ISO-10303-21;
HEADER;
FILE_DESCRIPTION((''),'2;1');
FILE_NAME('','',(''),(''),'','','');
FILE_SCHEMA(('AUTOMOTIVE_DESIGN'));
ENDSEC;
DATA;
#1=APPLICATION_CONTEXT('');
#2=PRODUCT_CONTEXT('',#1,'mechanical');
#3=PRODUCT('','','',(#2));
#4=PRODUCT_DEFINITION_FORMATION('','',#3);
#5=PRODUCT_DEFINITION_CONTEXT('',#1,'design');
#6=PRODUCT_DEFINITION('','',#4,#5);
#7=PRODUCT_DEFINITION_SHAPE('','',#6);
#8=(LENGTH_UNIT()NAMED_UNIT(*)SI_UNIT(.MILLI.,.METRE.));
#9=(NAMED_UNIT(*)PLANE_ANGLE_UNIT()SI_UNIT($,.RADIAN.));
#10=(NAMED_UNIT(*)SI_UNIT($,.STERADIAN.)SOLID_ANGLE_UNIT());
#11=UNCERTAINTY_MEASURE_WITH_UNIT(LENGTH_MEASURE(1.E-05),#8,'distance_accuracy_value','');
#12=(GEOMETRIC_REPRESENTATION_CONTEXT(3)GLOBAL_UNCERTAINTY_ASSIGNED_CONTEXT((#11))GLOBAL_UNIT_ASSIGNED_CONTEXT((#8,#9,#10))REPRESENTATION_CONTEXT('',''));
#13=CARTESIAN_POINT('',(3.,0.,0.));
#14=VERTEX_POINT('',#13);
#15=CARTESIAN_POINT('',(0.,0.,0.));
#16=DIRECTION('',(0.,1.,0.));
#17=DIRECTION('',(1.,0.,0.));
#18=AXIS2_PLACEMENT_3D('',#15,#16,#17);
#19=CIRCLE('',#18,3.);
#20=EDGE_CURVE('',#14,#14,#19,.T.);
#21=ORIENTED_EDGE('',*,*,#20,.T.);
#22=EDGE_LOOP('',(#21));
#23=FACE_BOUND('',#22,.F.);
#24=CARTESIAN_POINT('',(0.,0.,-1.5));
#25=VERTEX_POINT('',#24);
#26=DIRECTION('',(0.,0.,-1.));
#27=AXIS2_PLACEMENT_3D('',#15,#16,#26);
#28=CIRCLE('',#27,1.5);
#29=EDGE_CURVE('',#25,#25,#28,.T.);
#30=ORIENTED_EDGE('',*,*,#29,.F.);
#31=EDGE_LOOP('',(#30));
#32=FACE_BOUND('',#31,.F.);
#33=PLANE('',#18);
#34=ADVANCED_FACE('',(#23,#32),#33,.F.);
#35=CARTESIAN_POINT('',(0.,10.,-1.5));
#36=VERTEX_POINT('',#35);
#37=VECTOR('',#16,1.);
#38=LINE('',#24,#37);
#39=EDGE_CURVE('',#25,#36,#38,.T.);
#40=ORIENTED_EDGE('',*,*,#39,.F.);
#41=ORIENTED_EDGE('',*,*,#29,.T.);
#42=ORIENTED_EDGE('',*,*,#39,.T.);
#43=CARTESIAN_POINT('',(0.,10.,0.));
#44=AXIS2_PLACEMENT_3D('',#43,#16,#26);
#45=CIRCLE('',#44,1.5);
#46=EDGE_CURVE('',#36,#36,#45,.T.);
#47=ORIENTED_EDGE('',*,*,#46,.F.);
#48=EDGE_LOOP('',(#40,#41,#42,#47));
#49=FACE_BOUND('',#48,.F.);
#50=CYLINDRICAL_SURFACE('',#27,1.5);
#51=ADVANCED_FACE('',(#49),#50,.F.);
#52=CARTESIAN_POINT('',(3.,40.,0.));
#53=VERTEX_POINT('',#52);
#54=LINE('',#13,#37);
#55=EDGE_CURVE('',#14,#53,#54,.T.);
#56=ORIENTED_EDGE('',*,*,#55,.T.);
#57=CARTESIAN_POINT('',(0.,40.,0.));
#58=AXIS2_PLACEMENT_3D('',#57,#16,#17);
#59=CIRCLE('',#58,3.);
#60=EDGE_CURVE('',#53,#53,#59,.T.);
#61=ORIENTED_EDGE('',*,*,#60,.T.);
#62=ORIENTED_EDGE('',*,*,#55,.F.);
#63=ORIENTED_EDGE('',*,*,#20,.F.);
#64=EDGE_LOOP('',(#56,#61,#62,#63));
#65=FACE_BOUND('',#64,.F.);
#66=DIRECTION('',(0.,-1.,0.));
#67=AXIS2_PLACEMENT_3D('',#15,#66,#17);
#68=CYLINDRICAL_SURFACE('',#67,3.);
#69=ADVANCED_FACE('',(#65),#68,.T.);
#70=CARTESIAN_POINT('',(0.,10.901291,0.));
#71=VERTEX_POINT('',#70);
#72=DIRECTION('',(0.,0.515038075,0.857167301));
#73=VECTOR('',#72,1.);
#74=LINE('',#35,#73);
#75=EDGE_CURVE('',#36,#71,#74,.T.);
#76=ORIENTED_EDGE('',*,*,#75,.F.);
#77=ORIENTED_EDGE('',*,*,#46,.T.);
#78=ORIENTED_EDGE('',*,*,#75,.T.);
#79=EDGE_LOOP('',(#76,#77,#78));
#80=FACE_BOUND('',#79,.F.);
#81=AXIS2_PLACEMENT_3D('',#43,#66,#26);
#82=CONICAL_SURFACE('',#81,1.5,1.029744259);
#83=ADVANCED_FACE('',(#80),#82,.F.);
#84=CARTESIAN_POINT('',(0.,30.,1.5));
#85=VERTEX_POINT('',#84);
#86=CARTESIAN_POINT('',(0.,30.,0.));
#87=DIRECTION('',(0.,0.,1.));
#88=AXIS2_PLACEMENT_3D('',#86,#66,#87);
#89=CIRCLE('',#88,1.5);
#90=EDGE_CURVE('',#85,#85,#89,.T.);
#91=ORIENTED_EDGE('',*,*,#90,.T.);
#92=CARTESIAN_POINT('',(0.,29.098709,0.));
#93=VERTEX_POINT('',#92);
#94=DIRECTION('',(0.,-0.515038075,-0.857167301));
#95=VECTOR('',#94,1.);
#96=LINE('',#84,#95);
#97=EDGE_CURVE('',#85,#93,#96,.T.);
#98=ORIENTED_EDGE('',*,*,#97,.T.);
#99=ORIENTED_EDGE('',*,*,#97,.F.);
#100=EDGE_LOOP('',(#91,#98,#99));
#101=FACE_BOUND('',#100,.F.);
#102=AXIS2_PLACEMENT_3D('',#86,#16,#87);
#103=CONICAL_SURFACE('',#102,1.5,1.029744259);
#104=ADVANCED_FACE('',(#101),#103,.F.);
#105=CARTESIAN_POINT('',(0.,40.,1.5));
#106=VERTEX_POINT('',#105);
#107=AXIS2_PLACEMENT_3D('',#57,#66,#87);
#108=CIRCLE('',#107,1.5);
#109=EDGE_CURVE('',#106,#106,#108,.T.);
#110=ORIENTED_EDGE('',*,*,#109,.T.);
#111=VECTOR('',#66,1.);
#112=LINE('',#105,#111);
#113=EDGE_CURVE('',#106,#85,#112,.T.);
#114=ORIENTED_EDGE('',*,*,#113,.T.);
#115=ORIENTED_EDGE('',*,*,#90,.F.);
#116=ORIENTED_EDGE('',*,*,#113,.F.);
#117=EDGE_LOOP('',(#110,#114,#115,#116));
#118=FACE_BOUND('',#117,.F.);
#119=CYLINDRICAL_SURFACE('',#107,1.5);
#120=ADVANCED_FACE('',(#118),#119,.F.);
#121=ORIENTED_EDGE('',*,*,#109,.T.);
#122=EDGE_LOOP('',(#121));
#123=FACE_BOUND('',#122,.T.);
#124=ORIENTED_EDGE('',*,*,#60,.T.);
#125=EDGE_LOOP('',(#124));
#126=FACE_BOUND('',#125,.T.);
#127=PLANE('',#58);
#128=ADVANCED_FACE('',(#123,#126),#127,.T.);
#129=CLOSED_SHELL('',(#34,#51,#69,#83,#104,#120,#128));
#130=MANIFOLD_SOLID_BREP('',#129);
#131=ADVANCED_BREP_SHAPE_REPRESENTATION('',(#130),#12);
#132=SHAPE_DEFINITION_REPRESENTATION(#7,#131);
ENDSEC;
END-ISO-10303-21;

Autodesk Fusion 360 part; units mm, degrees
sketch "Boceto1" plane through (0, 0, 0) normal (0, 1, 0) x (1, 0, 0)
  circle A0 centre (0, 0) radius 3
  dimension "d1" = 6
extrude "Extruir1" add sketch "Boceto1" along normal blind 40
sketch "Boceto2" plane through (0, 40, 0) normal (0, 1, 0) x (-1, 0, 0)
  circle A0 centre (0, 0) radius 3
  circle A1 centre (0, 0) radius 1.525
  dimension "d4" = 3.05
sketch "Boceto3" plane through (0, 0, 0) normal (0, -1, 0) x (1, 0, 0)
  circle A0 centre (0, 0) radius 3
  circle A1 centre (0, 0) radius 1.525
  dimension "d5" = 3.05
hole "Agujero1" at (0, 40, 0) direction (0, -1, 0) diameter 3 depth 10 tip angle 118
hole "Agujero2" at (0, 0, 0) direction (0, 1, 0) diameter 3 depth 10 tip angle 118
